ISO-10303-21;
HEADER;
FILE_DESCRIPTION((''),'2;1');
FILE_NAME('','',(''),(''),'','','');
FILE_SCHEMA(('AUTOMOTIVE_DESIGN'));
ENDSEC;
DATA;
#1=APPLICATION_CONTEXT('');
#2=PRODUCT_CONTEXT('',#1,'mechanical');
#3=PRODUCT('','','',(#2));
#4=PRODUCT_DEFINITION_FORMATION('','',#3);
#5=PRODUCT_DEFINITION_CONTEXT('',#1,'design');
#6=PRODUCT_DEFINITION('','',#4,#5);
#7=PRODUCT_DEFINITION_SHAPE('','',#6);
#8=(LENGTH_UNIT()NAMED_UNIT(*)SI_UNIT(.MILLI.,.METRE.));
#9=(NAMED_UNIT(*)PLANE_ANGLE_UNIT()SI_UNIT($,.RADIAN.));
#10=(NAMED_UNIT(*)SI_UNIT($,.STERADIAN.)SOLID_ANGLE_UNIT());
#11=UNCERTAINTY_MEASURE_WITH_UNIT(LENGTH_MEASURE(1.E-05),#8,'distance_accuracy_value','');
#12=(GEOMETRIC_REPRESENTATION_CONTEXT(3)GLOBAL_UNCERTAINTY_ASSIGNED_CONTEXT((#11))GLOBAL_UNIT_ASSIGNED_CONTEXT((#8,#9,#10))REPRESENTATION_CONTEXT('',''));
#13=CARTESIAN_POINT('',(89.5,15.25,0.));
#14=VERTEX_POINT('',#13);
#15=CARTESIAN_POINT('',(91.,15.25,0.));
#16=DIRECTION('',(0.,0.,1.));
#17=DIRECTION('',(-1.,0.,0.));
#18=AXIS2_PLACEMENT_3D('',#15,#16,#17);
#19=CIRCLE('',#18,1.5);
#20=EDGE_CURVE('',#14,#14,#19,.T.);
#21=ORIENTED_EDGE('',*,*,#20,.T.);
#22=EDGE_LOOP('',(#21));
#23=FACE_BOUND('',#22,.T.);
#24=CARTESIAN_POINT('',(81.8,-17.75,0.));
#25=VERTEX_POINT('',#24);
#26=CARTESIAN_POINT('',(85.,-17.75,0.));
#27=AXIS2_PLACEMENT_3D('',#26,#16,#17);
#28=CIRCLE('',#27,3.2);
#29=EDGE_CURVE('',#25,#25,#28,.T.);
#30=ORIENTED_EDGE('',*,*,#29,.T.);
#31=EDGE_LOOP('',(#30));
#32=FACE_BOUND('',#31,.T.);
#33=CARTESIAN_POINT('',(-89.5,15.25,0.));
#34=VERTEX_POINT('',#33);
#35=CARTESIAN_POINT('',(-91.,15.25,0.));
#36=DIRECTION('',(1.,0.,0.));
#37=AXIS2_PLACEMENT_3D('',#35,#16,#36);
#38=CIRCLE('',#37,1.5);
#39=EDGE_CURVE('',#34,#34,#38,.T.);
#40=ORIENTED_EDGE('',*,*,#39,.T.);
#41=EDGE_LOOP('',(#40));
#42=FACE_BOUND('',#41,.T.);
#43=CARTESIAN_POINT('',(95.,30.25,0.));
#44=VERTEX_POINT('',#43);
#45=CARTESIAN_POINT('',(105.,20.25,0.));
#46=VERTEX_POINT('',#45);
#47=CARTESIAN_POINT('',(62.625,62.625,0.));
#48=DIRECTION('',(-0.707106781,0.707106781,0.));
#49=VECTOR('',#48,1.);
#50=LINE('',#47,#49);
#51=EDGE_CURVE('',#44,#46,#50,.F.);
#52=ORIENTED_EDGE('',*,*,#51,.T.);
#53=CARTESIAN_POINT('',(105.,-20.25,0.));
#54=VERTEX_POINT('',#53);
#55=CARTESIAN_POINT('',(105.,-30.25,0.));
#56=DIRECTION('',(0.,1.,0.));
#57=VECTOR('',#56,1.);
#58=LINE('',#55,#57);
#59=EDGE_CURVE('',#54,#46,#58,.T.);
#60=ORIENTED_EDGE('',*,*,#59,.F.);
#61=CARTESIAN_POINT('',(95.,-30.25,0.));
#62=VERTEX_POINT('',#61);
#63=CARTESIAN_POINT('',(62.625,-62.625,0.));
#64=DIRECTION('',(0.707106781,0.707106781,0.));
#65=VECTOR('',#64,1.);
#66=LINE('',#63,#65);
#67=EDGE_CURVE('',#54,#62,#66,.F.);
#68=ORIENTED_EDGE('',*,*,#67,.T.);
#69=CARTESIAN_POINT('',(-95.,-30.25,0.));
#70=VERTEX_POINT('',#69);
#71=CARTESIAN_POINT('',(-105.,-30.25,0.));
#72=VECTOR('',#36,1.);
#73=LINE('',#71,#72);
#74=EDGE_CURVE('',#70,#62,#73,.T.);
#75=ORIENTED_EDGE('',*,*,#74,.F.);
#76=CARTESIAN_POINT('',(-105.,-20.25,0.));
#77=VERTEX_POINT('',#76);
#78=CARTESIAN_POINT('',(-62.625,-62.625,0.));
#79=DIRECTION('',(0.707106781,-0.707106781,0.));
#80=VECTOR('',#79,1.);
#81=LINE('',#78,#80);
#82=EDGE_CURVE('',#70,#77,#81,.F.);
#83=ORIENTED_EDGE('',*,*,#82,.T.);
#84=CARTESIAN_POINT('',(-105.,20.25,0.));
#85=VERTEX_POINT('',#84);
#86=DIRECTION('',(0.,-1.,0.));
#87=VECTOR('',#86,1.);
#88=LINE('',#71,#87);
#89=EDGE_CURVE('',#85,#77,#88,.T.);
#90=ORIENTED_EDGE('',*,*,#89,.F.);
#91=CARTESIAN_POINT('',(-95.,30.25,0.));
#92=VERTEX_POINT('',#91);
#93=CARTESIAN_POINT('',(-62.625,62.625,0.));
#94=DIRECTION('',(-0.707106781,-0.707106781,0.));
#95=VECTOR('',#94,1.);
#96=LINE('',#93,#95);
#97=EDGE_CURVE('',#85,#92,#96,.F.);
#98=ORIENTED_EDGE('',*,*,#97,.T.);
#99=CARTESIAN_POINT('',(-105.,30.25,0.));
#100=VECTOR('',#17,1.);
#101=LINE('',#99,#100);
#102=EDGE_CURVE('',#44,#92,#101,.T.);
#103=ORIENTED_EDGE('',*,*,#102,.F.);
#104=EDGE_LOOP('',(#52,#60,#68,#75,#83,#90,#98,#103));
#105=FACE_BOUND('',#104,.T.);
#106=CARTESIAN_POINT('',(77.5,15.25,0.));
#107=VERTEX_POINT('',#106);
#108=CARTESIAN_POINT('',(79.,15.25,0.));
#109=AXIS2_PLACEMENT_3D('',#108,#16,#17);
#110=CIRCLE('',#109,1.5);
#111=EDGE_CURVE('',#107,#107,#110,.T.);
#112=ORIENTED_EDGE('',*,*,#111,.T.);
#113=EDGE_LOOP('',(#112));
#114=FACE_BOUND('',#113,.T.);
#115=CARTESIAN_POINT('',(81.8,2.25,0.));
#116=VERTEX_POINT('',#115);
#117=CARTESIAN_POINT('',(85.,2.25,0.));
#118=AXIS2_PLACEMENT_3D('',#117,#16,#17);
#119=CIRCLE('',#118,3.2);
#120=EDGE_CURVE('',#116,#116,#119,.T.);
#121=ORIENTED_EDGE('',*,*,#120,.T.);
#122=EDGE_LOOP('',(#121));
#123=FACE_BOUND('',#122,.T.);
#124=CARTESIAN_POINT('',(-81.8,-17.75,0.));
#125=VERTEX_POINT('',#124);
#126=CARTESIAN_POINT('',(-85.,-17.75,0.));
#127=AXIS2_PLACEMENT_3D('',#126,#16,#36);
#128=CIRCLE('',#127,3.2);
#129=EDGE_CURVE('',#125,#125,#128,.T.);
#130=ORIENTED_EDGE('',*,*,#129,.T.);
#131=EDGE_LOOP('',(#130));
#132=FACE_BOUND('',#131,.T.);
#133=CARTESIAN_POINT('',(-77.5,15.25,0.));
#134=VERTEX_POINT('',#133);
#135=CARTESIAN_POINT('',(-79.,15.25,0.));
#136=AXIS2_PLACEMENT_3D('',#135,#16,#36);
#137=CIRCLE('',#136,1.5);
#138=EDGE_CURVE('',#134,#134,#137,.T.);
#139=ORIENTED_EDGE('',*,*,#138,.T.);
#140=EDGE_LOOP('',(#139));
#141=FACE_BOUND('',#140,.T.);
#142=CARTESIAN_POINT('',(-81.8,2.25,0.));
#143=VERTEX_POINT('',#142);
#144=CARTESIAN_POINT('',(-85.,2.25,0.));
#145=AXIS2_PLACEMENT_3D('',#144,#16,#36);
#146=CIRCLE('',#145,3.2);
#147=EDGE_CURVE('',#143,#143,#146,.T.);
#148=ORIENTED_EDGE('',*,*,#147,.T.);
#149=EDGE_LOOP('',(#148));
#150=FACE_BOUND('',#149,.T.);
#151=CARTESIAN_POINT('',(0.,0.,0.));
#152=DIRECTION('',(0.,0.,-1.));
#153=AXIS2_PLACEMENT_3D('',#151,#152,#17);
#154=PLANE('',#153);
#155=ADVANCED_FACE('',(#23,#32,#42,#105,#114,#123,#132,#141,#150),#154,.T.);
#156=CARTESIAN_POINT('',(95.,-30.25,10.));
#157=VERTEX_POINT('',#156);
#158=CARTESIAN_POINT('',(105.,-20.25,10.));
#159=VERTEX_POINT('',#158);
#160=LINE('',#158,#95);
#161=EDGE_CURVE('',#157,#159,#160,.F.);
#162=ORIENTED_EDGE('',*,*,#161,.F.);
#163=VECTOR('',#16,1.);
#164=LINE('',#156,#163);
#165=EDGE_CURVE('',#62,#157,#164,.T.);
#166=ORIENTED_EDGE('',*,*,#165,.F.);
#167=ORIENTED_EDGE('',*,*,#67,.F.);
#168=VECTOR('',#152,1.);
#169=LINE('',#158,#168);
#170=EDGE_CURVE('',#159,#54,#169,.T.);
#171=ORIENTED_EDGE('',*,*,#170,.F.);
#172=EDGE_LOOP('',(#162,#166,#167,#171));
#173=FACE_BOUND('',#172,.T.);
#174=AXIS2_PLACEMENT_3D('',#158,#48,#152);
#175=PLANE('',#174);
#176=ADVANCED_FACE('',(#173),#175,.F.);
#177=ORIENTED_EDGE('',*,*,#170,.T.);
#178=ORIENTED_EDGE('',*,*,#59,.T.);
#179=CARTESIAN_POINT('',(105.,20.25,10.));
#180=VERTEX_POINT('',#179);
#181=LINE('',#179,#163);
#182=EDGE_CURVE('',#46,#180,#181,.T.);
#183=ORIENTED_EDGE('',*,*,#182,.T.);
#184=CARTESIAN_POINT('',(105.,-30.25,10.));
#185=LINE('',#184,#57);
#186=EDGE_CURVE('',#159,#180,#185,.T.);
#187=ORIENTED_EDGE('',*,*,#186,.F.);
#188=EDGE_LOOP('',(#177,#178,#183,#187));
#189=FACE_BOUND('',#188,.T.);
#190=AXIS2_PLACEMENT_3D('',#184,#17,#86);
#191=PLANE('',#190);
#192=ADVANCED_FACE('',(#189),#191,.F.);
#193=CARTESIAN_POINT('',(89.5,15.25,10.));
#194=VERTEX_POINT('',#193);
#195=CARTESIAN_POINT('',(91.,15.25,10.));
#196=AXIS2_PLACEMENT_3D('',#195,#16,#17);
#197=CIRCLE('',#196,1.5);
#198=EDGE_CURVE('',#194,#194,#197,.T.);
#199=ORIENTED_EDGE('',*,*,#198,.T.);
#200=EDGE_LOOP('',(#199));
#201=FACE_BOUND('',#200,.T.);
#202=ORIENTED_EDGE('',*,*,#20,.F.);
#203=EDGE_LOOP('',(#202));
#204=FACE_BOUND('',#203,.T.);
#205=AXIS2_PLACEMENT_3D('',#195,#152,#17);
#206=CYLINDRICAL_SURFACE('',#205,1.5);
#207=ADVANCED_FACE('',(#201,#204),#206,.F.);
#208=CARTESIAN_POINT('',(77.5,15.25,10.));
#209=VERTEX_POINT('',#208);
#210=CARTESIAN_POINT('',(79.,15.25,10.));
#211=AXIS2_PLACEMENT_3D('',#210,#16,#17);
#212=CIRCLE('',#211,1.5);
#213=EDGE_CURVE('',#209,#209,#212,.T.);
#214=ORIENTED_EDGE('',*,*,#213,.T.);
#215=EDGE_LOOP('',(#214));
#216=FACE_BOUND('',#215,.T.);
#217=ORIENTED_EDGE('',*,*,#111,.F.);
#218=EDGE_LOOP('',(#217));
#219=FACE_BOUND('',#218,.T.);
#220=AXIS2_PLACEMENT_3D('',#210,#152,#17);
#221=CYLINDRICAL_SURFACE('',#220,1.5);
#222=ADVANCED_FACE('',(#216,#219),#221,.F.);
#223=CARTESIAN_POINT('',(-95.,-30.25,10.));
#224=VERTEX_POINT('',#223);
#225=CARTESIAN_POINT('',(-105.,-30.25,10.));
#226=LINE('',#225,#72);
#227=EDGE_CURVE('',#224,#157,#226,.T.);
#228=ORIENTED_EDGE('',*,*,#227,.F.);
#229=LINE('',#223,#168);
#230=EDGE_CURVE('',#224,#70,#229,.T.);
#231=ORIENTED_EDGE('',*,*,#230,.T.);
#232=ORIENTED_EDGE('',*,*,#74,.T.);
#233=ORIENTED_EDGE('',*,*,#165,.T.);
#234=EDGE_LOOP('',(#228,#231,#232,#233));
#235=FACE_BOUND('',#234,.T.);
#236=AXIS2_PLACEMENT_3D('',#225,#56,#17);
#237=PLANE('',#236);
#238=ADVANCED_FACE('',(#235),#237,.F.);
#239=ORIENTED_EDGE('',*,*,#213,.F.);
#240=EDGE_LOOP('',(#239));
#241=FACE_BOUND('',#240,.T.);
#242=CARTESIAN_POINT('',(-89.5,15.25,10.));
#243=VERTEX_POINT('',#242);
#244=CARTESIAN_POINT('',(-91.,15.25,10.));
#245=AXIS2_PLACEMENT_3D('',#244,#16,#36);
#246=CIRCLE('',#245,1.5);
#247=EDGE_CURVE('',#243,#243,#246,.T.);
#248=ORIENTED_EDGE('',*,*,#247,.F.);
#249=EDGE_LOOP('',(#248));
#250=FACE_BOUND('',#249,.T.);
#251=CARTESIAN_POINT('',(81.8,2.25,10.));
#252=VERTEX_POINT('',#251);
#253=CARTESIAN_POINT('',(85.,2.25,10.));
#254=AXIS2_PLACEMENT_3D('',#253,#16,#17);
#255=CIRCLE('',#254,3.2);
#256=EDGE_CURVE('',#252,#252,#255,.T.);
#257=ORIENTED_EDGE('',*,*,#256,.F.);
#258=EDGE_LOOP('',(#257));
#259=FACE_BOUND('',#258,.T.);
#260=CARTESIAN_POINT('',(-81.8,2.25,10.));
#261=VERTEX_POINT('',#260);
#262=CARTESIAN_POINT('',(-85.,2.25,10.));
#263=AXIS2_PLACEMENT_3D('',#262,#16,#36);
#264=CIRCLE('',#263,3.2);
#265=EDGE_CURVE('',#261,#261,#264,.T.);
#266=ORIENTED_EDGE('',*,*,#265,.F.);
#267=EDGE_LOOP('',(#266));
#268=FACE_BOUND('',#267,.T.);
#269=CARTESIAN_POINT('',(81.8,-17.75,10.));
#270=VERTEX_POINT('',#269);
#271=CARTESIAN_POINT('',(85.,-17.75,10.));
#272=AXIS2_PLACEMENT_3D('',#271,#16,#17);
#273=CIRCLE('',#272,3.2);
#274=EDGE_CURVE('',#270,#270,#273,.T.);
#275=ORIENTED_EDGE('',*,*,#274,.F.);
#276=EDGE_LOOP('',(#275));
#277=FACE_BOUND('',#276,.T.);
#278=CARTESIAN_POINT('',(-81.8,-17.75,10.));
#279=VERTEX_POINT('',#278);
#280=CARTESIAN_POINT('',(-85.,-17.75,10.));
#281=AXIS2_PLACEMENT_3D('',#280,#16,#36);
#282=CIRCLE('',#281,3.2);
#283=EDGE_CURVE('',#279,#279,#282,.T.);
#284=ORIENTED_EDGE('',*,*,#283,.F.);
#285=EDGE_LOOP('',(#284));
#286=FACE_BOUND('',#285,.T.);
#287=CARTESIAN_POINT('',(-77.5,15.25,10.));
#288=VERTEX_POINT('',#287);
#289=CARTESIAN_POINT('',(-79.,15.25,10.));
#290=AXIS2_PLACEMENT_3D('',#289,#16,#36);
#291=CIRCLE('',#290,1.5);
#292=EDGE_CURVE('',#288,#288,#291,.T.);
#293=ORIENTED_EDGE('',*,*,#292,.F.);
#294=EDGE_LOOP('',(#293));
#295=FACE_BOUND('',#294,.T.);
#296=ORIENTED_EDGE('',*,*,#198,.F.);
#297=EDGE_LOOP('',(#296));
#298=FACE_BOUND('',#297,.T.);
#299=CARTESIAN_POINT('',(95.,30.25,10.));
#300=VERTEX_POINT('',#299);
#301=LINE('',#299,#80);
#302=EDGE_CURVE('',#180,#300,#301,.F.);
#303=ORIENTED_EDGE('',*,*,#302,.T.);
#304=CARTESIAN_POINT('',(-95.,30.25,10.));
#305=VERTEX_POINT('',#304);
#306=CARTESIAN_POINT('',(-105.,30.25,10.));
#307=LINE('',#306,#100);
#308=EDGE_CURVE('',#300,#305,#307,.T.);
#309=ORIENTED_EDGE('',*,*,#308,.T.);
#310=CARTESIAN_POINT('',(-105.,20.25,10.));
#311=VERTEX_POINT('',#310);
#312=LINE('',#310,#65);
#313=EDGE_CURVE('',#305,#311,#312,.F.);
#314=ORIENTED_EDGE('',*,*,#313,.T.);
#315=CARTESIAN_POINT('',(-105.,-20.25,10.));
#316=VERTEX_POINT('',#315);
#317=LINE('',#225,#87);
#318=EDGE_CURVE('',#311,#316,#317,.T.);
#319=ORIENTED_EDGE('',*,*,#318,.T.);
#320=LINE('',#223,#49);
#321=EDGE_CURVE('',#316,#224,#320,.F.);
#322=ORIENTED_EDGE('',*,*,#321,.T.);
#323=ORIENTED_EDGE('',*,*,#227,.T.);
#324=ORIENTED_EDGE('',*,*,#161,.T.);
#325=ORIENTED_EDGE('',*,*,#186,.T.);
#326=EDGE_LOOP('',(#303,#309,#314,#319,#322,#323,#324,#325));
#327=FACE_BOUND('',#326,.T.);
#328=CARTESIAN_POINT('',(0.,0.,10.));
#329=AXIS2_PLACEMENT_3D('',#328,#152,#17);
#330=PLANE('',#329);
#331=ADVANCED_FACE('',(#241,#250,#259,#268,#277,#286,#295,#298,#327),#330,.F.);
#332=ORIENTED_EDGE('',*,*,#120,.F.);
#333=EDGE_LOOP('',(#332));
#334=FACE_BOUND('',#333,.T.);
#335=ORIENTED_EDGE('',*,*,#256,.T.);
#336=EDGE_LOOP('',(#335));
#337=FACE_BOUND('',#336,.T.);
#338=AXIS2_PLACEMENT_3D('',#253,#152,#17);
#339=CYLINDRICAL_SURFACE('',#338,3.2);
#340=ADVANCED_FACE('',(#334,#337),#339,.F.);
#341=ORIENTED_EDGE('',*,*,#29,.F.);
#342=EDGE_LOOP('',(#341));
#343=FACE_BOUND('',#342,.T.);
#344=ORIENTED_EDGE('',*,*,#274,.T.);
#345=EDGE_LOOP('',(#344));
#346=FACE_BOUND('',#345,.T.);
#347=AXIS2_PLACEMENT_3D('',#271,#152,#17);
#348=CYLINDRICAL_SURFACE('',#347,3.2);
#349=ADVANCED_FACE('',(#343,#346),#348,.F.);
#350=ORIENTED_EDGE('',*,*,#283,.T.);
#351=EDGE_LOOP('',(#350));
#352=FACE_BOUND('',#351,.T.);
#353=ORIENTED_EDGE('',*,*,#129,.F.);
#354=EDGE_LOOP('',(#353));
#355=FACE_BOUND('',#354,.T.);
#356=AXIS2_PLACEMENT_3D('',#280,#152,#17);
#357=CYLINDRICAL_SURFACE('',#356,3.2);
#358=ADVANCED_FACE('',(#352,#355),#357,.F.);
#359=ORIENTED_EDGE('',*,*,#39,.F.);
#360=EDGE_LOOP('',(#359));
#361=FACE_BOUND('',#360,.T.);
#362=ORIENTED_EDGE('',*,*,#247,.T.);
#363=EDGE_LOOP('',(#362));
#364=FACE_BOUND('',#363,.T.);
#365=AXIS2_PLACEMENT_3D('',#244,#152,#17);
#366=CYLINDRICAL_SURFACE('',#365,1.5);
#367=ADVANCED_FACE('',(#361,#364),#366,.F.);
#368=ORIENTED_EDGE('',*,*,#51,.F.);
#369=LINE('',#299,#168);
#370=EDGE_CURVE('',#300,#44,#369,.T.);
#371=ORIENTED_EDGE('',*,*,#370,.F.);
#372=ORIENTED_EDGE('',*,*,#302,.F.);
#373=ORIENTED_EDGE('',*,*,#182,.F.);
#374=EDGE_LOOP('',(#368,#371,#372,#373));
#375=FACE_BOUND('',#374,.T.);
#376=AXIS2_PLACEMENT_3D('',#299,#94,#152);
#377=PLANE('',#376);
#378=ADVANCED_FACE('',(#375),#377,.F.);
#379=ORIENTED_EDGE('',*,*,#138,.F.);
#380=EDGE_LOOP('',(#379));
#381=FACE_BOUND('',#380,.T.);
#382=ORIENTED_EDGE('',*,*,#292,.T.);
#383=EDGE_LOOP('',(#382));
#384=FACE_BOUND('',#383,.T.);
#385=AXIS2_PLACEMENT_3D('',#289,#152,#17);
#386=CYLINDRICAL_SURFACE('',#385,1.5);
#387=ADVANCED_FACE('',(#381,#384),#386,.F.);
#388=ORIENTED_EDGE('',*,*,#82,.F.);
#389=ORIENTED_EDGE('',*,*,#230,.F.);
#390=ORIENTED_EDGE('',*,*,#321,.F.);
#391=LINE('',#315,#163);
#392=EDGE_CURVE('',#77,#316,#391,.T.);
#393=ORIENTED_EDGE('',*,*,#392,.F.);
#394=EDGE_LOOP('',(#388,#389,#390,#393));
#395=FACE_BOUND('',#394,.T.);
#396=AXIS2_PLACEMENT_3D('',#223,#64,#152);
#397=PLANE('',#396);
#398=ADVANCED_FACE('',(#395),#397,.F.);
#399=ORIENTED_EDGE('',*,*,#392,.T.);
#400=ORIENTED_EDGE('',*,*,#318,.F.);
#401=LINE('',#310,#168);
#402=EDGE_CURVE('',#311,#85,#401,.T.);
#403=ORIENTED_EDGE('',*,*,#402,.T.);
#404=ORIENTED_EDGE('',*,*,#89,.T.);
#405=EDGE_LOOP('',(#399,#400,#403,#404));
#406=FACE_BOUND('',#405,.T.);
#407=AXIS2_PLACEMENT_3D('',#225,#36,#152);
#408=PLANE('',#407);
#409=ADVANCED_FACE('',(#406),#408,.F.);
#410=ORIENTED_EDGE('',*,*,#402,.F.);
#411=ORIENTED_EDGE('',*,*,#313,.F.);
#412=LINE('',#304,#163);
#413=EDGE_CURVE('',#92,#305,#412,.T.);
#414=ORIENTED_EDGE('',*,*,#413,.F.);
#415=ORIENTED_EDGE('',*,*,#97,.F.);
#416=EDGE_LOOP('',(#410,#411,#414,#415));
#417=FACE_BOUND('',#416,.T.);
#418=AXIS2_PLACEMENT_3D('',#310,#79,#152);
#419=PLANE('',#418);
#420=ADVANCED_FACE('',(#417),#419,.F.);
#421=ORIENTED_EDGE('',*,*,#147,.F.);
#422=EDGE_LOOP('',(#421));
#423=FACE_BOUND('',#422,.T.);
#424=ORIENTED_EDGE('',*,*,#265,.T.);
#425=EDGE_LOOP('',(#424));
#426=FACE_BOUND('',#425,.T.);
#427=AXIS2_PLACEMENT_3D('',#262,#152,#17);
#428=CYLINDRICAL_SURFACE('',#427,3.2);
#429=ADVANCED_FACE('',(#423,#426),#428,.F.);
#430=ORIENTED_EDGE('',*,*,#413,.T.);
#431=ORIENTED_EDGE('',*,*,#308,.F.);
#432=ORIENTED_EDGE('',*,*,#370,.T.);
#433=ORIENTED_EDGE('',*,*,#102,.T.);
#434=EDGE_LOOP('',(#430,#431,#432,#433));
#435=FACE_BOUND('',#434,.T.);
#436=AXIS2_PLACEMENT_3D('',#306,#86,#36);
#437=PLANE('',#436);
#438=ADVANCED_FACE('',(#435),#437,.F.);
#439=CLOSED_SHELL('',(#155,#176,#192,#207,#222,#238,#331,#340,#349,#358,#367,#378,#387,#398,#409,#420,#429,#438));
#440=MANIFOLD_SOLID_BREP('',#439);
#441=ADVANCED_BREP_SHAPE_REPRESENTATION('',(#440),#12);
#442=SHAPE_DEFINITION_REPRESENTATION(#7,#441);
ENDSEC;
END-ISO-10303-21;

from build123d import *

# Parameters (mm, degrees)
SKETCH1_W           = 210
SKETCH1_H           = 60.5
SKETCH1_R           = 3.2
SKETCH1_R_2         = 1.5
BOSS_EXTRUDE1_DEPTH = 10
CHAMFER1_SIZE       = 10
CHAMFER2_SIZE       = 10


with BuildPart() as part:
    # Sketch1 → Boss-Extrude1 (new body)
    with BuildSketch(Plane.XY):
        Rectangle(SKETCH1_W, SKETCH1_H)
        with Locations((-85, 2.25)):
            Circle(SKETCH1_R, mode=Mode.SUBTRACT)
        with Locations((-85, -17.75)):
            Circle(SKETCH1_R, mode=Mode.SUBTRACT)
        with Locations((85, -17.75)):
            Circle(SKETCH1_R, mode=Mode.SUBTRACT)
        with Locations((85, 2.25)):
            Circle(SKETCH1_R, mode=Mode.SUBTRACT)
        with Locations((-91, 15.25)):
            Circle(SKETCH1_R_2, mode=Mode.SUBTRACT)
        with Locations((-79, 15.25)):
            Circle(SKETCH1_R_2, mode=Mode.SUBTRACT)
        with Locations((79, 15.25)):
            Circle(SKETCH1_R_2, mode=Mode.SUBTRACT)
        with Locations((91, 15.25)):
            Circle(SKETCH1_R_2, mode=Mode.SUBTRACT)
    extrude(amount=BOSS_EXTRUDE1_DEPTH)

    # Chamfer1
    chamfer1_edges = [part.edges().sort_by_distance(p)[0] for p in [
        (-105, 30.25, 5),
        (105, 30.25, 5),
    ]]
    chamfer(chamfer1_edges, length=CHAMFER1_SIZE)

    # Chamfer2
    chamfer2_edges = [part.edges().sort_by_distance(p)[0] for p in [
        (105, -30.25, 5),
        (-105, -30.25, 5),
    ]]
    chamfer(chamfer2_edges, length=CHAMFER2_SIZE)


solid = part.part
